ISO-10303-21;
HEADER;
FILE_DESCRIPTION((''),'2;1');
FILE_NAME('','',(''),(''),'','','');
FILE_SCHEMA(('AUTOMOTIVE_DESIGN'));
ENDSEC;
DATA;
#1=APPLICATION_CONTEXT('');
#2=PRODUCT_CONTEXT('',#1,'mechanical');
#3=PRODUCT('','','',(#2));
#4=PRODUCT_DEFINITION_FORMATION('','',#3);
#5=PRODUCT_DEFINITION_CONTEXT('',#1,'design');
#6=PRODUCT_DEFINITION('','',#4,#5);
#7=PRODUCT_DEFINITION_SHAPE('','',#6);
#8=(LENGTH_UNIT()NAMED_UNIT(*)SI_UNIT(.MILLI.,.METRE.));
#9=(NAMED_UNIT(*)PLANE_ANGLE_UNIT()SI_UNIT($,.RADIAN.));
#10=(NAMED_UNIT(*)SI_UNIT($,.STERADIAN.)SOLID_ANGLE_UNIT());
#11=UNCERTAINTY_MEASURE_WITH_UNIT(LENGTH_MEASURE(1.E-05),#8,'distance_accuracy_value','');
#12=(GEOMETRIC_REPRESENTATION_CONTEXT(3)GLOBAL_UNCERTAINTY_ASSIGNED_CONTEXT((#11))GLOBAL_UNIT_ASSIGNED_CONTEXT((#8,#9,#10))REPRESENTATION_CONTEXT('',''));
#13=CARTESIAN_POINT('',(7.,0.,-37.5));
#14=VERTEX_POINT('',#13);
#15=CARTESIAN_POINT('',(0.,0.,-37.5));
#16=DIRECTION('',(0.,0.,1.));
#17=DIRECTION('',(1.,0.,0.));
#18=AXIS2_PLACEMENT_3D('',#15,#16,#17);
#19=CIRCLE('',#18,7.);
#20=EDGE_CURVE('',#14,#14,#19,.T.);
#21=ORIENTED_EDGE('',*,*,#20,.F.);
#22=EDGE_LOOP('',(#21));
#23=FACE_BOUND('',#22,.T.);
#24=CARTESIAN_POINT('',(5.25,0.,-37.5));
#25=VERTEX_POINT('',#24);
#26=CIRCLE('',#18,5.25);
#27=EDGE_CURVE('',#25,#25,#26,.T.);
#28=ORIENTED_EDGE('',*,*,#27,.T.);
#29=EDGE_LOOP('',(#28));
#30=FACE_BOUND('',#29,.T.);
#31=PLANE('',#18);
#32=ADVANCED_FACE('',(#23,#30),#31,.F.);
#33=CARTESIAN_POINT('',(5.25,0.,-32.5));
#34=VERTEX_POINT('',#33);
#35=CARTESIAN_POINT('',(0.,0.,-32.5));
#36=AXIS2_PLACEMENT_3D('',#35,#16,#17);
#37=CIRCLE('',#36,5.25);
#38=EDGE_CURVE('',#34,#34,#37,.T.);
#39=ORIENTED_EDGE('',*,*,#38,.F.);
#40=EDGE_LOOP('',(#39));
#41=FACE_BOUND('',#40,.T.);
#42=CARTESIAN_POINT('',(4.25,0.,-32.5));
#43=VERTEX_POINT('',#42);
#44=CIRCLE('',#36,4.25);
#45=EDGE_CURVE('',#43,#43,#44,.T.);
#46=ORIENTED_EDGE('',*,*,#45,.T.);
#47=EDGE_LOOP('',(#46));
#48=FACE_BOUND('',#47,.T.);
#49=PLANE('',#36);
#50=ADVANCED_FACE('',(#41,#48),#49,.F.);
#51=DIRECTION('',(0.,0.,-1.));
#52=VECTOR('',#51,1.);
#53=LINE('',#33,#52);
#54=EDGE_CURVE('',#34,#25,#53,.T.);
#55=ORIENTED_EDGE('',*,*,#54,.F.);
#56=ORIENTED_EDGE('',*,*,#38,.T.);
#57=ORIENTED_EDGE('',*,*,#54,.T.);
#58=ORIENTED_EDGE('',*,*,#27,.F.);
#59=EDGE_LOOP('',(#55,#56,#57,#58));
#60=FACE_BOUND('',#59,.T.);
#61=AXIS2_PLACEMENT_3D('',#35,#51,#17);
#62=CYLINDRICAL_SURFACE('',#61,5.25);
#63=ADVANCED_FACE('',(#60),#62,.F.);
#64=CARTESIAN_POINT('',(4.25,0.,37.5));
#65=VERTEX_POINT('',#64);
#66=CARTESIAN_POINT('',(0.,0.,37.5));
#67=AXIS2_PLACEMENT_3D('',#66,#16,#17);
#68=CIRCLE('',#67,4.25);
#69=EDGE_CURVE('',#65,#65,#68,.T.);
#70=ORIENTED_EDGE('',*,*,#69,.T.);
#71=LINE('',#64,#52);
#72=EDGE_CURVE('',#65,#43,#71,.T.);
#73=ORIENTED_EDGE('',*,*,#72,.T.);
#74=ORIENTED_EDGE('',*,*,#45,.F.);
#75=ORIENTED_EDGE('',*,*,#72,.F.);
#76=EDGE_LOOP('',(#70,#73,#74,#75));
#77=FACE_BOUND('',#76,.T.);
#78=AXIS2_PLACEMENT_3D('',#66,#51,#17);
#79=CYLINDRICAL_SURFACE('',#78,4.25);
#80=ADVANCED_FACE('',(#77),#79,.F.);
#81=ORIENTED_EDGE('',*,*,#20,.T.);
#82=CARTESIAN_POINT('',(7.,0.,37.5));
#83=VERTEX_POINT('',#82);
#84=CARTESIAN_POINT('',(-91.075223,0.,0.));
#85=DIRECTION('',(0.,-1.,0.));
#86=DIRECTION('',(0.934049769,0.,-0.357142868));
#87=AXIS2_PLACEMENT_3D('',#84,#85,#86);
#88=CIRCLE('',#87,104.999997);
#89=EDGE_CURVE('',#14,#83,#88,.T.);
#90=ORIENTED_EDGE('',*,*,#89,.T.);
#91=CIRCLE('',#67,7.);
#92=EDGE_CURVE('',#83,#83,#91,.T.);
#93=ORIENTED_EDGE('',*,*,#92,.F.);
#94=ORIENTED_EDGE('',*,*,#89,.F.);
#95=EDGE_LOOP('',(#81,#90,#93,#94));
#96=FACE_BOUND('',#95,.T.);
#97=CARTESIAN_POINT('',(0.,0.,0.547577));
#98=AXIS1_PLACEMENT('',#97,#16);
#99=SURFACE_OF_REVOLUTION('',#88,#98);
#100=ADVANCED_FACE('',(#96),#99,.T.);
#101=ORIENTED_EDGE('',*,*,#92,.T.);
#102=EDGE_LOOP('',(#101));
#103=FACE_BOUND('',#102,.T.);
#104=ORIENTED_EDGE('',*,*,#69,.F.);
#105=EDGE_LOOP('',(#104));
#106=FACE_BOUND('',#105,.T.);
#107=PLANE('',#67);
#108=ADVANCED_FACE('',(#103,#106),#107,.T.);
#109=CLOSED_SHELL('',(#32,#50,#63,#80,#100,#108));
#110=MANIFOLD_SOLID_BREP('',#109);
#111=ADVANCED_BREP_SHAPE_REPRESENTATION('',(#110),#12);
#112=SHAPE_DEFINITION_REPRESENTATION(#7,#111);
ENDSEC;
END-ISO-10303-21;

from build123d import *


with BuildPart() as f1:
    # F0 (on Front) → F1 (revolve)
    with BuildSketch(Plane.XZ):
        with BuildLine():
            ThreePointArc((7, -37.5), (13.924774, 0), (7, 37.5))
            Line((7, 37.5), (4.25, 37.5))
            Line((4.25, 37.5), (4.25, -32.5))
            Line((4.25, -32.5), (5.25, -32.5))
            Line((5.25, -32.5), (5.25, -37.5))
            Line((5.25, -37.5), (7, -37.5))
        make_face()
    revolve(axis=Axis((0, 0, 0.547577), (0, 0, 1)))


solid = f1.part
